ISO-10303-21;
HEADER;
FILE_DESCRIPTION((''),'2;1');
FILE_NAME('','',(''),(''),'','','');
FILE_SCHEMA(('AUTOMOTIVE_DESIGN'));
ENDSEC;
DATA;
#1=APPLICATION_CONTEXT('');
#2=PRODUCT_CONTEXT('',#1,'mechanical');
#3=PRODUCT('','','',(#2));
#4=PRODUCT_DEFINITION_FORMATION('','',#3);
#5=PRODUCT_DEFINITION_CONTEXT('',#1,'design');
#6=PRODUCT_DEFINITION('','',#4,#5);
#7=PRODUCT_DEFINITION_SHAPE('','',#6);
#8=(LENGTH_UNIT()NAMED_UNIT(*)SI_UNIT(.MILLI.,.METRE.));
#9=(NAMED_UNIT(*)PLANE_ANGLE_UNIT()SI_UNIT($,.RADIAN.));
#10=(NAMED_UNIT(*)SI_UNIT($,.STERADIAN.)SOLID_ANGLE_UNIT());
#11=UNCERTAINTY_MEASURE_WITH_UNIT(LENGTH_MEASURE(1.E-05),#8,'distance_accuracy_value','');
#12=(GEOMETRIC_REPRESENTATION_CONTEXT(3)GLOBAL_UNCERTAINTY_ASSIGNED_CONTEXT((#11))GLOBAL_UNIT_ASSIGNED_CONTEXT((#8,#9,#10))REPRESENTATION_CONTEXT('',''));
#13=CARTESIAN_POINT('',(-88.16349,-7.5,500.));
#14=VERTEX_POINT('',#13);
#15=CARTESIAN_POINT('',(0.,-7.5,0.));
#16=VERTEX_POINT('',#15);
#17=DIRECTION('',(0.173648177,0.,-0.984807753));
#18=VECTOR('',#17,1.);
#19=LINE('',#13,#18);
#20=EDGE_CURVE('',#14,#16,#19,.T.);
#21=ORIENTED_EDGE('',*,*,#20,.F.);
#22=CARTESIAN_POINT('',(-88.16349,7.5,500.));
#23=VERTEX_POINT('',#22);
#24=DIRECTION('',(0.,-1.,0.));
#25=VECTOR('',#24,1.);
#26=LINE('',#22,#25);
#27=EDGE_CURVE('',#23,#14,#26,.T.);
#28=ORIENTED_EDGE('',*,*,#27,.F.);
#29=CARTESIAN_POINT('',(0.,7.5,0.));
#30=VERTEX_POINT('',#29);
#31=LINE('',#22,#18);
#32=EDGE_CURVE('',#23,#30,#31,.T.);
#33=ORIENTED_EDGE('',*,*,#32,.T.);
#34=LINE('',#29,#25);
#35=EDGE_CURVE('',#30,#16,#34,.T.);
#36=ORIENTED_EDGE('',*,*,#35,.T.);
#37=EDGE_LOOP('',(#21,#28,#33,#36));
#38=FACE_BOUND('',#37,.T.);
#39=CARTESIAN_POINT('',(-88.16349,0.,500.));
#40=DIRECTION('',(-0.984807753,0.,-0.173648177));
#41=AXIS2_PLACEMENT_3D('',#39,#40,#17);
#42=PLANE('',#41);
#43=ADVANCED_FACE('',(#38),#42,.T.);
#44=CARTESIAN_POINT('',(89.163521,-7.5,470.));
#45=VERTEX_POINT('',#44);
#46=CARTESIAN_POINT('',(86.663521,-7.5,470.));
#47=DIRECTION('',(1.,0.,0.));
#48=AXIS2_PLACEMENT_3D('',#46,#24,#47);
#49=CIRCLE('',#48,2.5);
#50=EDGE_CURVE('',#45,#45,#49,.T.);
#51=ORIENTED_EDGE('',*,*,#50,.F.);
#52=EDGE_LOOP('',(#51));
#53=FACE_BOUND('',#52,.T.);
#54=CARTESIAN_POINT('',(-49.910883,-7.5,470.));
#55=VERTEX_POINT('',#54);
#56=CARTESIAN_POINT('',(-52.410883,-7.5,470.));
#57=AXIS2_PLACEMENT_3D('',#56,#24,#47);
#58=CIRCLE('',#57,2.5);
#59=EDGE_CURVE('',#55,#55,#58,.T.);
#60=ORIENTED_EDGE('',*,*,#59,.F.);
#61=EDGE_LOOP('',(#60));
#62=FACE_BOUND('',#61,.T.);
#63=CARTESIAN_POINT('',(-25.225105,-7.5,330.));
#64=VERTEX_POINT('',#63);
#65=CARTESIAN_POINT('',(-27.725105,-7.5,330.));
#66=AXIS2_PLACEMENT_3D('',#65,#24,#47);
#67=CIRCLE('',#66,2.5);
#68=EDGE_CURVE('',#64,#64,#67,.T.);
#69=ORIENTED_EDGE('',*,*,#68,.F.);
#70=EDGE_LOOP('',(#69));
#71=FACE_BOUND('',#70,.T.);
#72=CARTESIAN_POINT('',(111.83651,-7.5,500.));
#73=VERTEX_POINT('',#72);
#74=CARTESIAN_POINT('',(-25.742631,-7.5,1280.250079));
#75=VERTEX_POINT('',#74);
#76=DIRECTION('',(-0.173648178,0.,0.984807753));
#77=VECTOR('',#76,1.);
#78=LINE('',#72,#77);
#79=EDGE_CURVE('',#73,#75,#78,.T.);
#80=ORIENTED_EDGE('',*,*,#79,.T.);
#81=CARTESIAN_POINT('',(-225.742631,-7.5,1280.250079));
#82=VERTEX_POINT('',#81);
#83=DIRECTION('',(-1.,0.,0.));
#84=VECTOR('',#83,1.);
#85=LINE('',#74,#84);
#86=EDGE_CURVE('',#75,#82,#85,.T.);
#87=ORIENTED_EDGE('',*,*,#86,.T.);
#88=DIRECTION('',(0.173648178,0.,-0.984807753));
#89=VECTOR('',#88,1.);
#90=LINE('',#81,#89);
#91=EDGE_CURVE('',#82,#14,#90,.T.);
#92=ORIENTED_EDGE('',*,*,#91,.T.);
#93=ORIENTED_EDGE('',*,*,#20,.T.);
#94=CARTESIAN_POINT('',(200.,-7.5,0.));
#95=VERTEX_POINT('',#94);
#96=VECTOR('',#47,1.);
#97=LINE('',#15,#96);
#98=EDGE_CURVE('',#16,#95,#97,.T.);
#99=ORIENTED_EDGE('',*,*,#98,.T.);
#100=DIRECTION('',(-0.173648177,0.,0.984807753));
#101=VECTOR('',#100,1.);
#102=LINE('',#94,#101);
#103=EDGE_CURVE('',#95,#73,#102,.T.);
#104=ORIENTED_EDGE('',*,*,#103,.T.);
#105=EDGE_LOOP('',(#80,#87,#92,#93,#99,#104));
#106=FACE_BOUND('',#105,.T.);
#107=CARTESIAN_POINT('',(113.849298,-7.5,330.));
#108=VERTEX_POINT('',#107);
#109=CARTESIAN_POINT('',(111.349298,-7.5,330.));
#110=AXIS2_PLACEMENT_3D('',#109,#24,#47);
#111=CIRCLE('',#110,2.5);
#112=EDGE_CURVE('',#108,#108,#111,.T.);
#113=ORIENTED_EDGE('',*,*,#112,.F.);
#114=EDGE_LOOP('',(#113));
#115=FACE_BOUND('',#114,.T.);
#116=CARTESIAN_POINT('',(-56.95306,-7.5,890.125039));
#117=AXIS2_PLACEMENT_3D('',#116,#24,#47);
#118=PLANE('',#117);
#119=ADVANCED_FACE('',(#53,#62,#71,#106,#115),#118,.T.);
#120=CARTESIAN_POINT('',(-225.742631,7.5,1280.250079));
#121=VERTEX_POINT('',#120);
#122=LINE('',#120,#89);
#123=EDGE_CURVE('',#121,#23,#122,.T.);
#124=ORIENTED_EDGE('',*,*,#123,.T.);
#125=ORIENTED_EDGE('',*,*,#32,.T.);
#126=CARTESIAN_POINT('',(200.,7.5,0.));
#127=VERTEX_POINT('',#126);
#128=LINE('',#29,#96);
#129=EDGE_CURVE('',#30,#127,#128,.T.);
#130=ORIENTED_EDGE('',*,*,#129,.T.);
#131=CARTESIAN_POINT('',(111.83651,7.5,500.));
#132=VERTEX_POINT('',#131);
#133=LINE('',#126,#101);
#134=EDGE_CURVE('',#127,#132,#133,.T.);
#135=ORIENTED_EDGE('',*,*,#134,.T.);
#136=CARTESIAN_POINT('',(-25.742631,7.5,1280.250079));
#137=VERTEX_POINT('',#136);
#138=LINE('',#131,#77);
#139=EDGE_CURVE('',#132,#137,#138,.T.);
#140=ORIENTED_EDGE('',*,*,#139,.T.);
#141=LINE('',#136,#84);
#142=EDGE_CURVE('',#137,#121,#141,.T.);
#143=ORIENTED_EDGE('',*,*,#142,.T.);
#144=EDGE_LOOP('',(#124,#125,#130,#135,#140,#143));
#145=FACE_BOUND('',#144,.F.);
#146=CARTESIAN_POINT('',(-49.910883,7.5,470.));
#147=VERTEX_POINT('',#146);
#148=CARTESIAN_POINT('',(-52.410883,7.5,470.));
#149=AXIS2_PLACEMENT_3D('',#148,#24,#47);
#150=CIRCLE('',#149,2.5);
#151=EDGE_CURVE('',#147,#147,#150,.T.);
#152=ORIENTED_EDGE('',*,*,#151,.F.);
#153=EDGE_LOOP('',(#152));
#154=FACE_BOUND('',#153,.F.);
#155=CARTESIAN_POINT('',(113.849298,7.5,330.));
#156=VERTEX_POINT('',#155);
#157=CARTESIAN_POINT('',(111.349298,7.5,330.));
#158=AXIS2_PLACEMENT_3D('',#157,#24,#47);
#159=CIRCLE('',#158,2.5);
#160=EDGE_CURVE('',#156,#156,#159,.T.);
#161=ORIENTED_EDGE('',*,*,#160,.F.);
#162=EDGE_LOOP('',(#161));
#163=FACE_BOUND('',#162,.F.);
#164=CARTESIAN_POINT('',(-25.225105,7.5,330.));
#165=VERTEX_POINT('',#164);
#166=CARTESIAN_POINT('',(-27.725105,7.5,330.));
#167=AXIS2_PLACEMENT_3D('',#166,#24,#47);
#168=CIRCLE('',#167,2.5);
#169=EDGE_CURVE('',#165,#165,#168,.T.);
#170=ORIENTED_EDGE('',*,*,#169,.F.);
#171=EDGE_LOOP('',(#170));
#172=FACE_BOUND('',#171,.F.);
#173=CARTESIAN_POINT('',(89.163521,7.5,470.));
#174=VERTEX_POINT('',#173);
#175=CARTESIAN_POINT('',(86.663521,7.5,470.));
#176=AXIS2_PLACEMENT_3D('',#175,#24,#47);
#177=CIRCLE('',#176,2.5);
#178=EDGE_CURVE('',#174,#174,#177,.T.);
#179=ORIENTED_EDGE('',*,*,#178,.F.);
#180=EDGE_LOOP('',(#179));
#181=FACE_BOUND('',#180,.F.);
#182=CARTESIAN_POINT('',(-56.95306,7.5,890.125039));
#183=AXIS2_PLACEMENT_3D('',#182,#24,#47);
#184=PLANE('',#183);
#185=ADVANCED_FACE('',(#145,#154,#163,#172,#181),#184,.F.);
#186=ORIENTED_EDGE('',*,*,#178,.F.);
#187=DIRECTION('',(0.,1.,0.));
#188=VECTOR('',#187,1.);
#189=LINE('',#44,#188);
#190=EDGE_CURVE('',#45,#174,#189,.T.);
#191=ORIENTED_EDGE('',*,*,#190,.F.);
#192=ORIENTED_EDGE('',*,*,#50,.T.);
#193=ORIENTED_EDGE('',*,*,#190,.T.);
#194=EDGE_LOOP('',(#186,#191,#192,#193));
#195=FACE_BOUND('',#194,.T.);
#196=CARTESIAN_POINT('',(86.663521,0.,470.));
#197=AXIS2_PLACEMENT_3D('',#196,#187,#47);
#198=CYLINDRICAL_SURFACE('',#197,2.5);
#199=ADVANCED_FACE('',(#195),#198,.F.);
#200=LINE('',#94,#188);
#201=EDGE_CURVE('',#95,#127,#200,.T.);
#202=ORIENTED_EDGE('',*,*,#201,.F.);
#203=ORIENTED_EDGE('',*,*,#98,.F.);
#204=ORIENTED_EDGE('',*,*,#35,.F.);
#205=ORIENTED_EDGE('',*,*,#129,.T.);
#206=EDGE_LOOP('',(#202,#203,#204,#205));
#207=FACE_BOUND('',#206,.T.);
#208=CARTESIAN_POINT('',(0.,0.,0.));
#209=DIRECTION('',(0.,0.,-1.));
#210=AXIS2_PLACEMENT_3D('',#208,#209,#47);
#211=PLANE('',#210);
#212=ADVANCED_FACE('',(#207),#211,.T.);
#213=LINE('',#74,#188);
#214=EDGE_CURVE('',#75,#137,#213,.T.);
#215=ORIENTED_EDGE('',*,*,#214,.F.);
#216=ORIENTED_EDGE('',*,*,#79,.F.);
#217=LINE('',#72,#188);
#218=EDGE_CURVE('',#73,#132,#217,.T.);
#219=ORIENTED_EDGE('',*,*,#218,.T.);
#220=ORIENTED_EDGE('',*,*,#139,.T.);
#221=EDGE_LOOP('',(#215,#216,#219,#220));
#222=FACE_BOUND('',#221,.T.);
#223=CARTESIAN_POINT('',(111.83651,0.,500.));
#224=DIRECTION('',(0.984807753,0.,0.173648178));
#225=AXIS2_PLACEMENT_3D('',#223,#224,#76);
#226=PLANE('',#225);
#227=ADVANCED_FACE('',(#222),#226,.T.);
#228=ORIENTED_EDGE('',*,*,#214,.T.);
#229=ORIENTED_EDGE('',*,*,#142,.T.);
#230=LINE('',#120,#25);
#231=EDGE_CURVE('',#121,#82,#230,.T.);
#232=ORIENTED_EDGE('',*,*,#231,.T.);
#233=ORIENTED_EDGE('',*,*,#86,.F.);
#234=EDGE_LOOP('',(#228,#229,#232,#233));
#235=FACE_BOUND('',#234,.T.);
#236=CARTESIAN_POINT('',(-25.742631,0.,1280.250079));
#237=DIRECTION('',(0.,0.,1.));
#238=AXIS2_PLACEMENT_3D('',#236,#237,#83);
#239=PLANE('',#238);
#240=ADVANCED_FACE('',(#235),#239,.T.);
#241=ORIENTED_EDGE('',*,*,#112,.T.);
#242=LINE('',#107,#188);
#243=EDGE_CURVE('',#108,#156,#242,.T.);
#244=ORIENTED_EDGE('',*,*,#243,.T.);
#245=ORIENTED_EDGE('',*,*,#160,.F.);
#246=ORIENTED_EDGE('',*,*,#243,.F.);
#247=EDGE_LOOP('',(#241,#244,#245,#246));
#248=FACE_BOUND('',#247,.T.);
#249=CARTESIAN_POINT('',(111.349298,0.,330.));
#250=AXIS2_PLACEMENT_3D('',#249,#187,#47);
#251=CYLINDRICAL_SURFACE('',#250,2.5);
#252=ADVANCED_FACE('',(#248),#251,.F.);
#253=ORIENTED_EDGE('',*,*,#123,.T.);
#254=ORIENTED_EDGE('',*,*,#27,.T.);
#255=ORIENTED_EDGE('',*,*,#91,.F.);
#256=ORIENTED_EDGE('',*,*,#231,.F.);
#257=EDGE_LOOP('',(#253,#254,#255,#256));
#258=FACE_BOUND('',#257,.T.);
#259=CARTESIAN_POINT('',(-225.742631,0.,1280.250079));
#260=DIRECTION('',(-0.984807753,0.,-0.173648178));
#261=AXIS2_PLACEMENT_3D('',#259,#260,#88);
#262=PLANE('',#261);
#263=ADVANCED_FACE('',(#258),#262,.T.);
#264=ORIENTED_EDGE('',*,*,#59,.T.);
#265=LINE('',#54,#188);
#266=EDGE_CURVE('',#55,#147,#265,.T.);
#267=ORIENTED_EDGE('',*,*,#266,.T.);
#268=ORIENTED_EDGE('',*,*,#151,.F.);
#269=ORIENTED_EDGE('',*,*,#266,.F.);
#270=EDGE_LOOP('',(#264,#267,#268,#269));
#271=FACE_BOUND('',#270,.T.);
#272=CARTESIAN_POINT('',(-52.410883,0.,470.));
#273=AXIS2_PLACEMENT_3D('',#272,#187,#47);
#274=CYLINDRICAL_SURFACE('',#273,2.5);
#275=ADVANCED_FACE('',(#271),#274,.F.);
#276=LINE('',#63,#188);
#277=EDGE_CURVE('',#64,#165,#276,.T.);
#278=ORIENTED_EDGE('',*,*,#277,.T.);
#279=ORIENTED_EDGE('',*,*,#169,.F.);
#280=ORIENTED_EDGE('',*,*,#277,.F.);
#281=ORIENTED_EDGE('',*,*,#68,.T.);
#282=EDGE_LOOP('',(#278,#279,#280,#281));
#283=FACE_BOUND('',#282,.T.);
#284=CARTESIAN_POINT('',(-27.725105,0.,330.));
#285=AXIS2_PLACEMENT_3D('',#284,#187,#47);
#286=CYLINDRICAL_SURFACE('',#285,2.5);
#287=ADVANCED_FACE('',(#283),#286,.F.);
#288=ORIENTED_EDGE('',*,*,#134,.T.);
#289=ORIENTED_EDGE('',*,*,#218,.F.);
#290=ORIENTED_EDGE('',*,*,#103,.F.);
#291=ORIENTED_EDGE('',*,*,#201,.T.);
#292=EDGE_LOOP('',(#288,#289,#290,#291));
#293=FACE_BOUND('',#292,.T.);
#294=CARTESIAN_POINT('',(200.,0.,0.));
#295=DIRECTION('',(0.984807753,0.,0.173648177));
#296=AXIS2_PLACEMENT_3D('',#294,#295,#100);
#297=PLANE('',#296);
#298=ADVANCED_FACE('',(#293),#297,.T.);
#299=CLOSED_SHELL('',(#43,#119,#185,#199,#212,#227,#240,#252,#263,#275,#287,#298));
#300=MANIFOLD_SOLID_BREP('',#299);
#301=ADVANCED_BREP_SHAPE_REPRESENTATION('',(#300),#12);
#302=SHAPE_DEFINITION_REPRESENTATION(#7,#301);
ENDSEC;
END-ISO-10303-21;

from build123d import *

# Parameters (mm, degrees)
F0_R     = 2.5
F1_DEPTH = 7.5


with BuildPart() as f1:
    # F0 (on Front) → F1 (new body, symmetric)
    with BuildSketch(Plane.XZ):
        Polygon((-25.742631, 1280.250079), (-225.742631, 1280.250079), (-88.16349, 500), (111.83651, 500), align=None)
        Polygon((111.83651, 500), (-88.16349, 500), (-52.898094, 300), (147.101906, 300), align=None)
        with Locations((-27.725105, 330)):
            Circle(F0_R, mode=Mode.SUBTRACT)
        with Locations((-52.410883, 470)):
            Circle(F0_R, mode=Mode.SUBTRACT)
        with Locations((86.663521, 470)):
            Circle(F0_R, mode=Mode.SUBTRACT)
        with Locations((111.349298, 330)):
            Circle(F0_R, mode=Mode.SUBTRACT)
        Polygon((147.101906, 300), (-52.898094, 300), (0, 0), (200, 0), align=None)
    extrude(amount=F1_DEPTH, both=True)


solid = f1.part
